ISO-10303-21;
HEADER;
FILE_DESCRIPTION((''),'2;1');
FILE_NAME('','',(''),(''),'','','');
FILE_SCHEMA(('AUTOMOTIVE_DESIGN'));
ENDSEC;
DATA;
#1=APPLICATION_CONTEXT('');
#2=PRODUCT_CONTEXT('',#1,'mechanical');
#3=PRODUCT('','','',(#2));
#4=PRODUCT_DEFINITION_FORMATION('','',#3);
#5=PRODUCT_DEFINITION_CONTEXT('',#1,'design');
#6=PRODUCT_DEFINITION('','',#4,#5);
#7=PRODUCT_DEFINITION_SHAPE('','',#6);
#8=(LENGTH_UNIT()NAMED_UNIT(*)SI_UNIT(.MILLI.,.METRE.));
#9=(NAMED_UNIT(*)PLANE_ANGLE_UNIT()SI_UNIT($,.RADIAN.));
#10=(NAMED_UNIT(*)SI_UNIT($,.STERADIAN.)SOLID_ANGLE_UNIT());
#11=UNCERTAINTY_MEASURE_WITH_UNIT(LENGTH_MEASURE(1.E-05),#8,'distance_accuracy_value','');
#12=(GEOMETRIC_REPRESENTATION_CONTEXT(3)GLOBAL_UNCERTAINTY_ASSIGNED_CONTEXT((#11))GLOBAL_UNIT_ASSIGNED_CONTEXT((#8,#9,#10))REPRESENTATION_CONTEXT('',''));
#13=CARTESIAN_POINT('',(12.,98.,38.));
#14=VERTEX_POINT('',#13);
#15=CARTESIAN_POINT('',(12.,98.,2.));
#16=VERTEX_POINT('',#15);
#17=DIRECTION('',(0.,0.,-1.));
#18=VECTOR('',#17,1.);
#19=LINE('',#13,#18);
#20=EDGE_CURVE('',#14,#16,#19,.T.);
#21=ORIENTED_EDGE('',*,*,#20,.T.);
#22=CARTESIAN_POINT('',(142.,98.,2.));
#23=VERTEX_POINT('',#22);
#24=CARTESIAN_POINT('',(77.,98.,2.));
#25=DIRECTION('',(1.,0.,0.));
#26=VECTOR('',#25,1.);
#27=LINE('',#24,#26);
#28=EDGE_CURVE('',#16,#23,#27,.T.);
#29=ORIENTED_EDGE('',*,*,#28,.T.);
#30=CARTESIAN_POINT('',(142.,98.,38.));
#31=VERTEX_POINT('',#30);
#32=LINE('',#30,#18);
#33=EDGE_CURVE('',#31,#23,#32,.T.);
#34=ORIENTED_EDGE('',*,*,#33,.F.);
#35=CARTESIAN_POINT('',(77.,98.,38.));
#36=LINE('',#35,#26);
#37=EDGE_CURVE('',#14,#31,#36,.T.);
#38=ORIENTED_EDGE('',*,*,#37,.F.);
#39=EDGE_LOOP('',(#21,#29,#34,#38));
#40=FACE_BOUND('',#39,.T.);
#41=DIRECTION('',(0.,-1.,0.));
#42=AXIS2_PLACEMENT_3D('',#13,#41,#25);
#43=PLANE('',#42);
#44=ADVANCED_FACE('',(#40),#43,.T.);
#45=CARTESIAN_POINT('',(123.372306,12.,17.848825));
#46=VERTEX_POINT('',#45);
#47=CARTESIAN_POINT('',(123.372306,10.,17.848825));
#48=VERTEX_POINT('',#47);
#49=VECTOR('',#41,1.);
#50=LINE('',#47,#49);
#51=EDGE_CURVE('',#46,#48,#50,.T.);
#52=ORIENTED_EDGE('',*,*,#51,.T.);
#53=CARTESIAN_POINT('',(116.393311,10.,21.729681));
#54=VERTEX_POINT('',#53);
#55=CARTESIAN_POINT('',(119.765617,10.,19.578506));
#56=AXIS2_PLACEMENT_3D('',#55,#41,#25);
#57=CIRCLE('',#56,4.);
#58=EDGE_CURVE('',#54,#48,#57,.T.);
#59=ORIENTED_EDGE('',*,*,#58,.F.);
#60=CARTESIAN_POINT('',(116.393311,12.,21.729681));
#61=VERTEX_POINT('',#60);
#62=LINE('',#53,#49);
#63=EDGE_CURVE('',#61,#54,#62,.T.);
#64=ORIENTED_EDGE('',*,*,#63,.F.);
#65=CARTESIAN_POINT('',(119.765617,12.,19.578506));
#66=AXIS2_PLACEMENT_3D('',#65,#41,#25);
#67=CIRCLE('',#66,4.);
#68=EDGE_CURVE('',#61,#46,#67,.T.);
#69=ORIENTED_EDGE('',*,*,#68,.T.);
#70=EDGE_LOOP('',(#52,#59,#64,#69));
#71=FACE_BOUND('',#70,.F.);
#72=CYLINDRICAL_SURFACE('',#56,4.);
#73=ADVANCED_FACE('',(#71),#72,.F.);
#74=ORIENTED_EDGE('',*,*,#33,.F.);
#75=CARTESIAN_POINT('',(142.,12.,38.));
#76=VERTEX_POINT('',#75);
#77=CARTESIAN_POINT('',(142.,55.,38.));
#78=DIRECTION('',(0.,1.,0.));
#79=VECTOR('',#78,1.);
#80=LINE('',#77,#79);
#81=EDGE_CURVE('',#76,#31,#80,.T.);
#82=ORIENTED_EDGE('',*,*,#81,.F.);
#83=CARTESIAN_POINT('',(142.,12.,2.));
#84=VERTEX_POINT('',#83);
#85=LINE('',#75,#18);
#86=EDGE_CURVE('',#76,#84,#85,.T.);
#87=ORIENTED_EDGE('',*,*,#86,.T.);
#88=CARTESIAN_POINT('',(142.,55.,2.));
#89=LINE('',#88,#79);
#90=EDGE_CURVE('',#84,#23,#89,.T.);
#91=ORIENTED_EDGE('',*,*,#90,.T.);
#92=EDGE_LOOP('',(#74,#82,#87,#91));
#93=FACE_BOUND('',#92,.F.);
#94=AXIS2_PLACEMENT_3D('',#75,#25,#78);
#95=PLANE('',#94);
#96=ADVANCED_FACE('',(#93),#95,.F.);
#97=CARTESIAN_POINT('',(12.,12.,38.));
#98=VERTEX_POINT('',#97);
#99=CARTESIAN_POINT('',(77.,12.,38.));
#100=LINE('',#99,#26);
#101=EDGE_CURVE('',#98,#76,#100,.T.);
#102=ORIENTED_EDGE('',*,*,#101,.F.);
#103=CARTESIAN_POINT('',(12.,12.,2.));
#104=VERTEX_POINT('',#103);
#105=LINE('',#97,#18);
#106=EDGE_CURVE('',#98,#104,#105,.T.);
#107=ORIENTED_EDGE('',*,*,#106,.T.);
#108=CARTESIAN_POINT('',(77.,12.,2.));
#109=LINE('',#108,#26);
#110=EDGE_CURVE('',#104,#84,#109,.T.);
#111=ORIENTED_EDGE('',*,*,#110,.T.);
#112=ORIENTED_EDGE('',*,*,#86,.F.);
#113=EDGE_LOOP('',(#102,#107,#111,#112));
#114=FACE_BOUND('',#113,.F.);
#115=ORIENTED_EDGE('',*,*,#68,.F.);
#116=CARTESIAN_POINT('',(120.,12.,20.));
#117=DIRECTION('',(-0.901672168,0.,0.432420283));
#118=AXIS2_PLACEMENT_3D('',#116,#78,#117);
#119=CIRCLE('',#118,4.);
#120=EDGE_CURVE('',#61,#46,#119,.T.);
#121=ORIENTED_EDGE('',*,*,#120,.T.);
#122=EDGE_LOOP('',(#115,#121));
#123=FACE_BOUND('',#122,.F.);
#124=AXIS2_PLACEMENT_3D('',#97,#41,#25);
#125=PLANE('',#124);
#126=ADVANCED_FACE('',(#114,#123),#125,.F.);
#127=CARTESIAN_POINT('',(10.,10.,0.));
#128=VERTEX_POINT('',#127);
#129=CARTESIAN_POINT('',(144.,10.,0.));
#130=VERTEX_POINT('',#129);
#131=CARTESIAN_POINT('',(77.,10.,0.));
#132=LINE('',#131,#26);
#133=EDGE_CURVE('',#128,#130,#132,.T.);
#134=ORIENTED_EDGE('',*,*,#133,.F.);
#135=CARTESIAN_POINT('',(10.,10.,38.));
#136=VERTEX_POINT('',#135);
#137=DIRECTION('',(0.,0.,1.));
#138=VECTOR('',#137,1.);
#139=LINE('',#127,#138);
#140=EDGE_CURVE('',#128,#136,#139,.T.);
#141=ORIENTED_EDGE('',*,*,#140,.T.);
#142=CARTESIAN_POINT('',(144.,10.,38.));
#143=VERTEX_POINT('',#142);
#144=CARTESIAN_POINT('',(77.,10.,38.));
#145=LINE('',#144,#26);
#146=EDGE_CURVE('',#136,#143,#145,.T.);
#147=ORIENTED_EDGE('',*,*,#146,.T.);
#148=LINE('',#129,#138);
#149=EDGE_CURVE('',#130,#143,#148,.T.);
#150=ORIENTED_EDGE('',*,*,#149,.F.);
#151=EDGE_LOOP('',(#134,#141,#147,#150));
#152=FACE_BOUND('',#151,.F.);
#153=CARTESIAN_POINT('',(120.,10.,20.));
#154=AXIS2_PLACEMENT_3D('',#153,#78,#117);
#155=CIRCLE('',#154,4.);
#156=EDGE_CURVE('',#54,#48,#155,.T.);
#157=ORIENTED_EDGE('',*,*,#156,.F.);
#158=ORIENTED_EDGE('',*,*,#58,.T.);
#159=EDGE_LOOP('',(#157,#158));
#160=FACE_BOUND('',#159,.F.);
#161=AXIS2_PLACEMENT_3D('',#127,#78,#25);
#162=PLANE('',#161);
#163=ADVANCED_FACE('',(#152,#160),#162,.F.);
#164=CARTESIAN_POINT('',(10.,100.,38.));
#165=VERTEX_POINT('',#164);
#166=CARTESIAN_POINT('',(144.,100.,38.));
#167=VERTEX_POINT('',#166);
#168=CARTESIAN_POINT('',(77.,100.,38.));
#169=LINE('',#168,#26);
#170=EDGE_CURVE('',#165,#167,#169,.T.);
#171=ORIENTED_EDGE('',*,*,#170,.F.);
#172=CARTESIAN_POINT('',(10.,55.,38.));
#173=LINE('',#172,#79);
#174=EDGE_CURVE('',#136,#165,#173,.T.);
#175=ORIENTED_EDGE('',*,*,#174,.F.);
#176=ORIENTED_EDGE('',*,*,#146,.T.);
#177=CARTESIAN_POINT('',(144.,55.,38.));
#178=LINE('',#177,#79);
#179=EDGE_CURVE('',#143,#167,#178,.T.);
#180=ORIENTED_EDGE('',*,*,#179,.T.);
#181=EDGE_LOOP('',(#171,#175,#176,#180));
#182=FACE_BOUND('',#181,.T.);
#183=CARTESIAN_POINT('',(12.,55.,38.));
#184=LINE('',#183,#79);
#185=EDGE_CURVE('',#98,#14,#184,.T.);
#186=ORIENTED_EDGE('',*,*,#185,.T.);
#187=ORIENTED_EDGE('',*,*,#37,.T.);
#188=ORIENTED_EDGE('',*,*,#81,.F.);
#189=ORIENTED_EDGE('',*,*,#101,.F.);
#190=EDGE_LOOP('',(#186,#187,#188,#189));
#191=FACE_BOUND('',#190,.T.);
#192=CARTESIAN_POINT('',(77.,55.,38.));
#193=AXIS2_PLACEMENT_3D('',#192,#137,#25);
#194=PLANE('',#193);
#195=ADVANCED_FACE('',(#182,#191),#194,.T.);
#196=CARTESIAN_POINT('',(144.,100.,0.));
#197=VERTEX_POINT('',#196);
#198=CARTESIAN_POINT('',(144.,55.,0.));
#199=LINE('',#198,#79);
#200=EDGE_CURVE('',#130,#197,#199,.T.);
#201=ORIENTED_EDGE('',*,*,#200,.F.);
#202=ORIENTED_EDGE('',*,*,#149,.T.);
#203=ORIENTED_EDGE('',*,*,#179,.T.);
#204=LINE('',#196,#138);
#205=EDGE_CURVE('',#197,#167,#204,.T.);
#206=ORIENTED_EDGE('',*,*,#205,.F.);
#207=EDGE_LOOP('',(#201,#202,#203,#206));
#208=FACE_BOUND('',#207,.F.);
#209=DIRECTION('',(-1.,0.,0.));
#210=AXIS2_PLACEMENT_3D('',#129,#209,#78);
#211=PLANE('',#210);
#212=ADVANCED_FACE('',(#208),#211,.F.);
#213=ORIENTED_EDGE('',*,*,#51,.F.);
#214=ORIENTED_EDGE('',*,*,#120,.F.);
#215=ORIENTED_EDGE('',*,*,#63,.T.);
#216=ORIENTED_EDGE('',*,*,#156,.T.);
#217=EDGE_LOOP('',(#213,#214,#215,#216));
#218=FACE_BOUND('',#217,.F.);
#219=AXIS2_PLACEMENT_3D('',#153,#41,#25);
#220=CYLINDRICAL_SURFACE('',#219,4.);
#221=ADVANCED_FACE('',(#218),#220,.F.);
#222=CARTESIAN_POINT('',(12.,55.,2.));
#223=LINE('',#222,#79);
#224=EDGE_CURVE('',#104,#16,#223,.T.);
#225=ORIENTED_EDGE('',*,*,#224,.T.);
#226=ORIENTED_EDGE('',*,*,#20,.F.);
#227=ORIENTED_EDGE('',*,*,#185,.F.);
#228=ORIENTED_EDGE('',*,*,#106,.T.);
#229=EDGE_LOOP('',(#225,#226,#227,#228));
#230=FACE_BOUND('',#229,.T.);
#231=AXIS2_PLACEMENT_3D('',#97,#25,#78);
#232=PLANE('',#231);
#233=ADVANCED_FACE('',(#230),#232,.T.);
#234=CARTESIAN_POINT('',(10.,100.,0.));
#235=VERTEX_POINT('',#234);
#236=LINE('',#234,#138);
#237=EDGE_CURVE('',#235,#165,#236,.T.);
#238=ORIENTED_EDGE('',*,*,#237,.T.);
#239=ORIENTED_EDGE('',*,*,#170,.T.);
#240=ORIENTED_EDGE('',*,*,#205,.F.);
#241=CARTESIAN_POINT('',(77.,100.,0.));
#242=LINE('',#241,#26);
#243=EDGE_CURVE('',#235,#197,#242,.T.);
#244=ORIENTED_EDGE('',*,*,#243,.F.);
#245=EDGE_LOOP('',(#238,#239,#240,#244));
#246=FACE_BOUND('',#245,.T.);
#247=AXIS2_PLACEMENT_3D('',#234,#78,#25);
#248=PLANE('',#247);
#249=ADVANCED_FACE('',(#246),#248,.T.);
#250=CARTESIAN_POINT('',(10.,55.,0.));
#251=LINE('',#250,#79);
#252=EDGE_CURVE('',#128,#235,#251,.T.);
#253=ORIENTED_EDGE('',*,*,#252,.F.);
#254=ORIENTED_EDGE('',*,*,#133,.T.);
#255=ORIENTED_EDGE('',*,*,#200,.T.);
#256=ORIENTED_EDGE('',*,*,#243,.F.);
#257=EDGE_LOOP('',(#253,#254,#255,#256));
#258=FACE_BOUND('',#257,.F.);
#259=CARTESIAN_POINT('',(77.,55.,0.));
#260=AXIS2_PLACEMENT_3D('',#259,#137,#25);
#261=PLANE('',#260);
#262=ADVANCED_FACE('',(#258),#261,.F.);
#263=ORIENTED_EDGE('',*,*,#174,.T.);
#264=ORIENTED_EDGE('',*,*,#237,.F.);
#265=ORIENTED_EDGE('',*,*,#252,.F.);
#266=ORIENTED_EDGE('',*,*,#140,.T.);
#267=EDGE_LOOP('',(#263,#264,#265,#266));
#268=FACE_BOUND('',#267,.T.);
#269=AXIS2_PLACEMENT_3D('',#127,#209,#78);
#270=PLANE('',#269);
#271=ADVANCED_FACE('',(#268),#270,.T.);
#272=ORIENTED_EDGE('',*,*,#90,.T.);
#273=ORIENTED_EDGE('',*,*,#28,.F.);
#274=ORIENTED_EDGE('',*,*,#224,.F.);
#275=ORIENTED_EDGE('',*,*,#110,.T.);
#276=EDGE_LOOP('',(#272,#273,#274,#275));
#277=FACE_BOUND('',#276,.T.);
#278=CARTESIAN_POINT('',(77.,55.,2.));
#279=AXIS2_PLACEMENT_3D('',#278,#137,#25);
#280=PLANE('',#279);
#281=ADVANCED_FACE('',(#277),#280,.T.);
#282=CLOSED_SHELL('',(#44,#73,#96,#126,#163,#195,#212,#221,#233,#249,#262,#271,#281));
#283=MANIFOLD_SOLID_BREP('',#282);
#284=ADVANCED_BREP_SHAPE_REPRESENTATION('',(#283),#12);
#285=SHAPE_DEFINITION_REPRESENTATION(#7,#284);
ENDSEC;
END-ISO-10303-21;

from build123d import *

# Parameters (mm, degrees)
SKETCH_W        = 134
SKETCH_H        = 90
PAD_DEPTH       = 38
SKETCH001_W     = 130
SKETCH001_H     = 86
POCKET_DEPTH    = 36
SKETCH003_R     = 4
POCKET001_DEPTH = 5
SKETCH004_R     = 4
POCKET002_DEPTH = 5


with BuildPart() as part:
    # Sketch → Pad (new body)
    with BuildSketch(Plane.XY):
        with Locations((77, 55)):
            Rectangle(SKETCH_W, SKETCH_H)
    extrude(amount=PAD_DEPTH)

    # Sketch001 (on Face6 of Pad) → Pocket (cut)
    with BuildSketch(Plane.XY.offset(38)):
        with Locations((77, 55)):
            Rectangle(SKETCH001_W, SKETCH001_H)
    extrude(amount=-POCKET_DEPTH, mode=Mode.SUBTRACT)

    # Sketch003 (on Face1 of Pocket) → Pocket001 (cut)
    with BuildSketch(Plane.XZ.offset(-10)):
        with Locations((119.765617, 19.578506)):
            Circle(SKETCH003_R)
    extrude(amount=-POCKET001_DEPTH, mode=Mode.SUBTRACT)

    # Sketch004 (on Face1 of Pad) → Pocket002 (cut)
    with BuildSketch(Plane.XZ.offset(-10)):
        with Locations((120, 20)):
            Circle(SKETCH004_R)
    extrude(amount=-POCKET002_DEPTH, mode=Mode.SUBTRACT)


solid = part.part
